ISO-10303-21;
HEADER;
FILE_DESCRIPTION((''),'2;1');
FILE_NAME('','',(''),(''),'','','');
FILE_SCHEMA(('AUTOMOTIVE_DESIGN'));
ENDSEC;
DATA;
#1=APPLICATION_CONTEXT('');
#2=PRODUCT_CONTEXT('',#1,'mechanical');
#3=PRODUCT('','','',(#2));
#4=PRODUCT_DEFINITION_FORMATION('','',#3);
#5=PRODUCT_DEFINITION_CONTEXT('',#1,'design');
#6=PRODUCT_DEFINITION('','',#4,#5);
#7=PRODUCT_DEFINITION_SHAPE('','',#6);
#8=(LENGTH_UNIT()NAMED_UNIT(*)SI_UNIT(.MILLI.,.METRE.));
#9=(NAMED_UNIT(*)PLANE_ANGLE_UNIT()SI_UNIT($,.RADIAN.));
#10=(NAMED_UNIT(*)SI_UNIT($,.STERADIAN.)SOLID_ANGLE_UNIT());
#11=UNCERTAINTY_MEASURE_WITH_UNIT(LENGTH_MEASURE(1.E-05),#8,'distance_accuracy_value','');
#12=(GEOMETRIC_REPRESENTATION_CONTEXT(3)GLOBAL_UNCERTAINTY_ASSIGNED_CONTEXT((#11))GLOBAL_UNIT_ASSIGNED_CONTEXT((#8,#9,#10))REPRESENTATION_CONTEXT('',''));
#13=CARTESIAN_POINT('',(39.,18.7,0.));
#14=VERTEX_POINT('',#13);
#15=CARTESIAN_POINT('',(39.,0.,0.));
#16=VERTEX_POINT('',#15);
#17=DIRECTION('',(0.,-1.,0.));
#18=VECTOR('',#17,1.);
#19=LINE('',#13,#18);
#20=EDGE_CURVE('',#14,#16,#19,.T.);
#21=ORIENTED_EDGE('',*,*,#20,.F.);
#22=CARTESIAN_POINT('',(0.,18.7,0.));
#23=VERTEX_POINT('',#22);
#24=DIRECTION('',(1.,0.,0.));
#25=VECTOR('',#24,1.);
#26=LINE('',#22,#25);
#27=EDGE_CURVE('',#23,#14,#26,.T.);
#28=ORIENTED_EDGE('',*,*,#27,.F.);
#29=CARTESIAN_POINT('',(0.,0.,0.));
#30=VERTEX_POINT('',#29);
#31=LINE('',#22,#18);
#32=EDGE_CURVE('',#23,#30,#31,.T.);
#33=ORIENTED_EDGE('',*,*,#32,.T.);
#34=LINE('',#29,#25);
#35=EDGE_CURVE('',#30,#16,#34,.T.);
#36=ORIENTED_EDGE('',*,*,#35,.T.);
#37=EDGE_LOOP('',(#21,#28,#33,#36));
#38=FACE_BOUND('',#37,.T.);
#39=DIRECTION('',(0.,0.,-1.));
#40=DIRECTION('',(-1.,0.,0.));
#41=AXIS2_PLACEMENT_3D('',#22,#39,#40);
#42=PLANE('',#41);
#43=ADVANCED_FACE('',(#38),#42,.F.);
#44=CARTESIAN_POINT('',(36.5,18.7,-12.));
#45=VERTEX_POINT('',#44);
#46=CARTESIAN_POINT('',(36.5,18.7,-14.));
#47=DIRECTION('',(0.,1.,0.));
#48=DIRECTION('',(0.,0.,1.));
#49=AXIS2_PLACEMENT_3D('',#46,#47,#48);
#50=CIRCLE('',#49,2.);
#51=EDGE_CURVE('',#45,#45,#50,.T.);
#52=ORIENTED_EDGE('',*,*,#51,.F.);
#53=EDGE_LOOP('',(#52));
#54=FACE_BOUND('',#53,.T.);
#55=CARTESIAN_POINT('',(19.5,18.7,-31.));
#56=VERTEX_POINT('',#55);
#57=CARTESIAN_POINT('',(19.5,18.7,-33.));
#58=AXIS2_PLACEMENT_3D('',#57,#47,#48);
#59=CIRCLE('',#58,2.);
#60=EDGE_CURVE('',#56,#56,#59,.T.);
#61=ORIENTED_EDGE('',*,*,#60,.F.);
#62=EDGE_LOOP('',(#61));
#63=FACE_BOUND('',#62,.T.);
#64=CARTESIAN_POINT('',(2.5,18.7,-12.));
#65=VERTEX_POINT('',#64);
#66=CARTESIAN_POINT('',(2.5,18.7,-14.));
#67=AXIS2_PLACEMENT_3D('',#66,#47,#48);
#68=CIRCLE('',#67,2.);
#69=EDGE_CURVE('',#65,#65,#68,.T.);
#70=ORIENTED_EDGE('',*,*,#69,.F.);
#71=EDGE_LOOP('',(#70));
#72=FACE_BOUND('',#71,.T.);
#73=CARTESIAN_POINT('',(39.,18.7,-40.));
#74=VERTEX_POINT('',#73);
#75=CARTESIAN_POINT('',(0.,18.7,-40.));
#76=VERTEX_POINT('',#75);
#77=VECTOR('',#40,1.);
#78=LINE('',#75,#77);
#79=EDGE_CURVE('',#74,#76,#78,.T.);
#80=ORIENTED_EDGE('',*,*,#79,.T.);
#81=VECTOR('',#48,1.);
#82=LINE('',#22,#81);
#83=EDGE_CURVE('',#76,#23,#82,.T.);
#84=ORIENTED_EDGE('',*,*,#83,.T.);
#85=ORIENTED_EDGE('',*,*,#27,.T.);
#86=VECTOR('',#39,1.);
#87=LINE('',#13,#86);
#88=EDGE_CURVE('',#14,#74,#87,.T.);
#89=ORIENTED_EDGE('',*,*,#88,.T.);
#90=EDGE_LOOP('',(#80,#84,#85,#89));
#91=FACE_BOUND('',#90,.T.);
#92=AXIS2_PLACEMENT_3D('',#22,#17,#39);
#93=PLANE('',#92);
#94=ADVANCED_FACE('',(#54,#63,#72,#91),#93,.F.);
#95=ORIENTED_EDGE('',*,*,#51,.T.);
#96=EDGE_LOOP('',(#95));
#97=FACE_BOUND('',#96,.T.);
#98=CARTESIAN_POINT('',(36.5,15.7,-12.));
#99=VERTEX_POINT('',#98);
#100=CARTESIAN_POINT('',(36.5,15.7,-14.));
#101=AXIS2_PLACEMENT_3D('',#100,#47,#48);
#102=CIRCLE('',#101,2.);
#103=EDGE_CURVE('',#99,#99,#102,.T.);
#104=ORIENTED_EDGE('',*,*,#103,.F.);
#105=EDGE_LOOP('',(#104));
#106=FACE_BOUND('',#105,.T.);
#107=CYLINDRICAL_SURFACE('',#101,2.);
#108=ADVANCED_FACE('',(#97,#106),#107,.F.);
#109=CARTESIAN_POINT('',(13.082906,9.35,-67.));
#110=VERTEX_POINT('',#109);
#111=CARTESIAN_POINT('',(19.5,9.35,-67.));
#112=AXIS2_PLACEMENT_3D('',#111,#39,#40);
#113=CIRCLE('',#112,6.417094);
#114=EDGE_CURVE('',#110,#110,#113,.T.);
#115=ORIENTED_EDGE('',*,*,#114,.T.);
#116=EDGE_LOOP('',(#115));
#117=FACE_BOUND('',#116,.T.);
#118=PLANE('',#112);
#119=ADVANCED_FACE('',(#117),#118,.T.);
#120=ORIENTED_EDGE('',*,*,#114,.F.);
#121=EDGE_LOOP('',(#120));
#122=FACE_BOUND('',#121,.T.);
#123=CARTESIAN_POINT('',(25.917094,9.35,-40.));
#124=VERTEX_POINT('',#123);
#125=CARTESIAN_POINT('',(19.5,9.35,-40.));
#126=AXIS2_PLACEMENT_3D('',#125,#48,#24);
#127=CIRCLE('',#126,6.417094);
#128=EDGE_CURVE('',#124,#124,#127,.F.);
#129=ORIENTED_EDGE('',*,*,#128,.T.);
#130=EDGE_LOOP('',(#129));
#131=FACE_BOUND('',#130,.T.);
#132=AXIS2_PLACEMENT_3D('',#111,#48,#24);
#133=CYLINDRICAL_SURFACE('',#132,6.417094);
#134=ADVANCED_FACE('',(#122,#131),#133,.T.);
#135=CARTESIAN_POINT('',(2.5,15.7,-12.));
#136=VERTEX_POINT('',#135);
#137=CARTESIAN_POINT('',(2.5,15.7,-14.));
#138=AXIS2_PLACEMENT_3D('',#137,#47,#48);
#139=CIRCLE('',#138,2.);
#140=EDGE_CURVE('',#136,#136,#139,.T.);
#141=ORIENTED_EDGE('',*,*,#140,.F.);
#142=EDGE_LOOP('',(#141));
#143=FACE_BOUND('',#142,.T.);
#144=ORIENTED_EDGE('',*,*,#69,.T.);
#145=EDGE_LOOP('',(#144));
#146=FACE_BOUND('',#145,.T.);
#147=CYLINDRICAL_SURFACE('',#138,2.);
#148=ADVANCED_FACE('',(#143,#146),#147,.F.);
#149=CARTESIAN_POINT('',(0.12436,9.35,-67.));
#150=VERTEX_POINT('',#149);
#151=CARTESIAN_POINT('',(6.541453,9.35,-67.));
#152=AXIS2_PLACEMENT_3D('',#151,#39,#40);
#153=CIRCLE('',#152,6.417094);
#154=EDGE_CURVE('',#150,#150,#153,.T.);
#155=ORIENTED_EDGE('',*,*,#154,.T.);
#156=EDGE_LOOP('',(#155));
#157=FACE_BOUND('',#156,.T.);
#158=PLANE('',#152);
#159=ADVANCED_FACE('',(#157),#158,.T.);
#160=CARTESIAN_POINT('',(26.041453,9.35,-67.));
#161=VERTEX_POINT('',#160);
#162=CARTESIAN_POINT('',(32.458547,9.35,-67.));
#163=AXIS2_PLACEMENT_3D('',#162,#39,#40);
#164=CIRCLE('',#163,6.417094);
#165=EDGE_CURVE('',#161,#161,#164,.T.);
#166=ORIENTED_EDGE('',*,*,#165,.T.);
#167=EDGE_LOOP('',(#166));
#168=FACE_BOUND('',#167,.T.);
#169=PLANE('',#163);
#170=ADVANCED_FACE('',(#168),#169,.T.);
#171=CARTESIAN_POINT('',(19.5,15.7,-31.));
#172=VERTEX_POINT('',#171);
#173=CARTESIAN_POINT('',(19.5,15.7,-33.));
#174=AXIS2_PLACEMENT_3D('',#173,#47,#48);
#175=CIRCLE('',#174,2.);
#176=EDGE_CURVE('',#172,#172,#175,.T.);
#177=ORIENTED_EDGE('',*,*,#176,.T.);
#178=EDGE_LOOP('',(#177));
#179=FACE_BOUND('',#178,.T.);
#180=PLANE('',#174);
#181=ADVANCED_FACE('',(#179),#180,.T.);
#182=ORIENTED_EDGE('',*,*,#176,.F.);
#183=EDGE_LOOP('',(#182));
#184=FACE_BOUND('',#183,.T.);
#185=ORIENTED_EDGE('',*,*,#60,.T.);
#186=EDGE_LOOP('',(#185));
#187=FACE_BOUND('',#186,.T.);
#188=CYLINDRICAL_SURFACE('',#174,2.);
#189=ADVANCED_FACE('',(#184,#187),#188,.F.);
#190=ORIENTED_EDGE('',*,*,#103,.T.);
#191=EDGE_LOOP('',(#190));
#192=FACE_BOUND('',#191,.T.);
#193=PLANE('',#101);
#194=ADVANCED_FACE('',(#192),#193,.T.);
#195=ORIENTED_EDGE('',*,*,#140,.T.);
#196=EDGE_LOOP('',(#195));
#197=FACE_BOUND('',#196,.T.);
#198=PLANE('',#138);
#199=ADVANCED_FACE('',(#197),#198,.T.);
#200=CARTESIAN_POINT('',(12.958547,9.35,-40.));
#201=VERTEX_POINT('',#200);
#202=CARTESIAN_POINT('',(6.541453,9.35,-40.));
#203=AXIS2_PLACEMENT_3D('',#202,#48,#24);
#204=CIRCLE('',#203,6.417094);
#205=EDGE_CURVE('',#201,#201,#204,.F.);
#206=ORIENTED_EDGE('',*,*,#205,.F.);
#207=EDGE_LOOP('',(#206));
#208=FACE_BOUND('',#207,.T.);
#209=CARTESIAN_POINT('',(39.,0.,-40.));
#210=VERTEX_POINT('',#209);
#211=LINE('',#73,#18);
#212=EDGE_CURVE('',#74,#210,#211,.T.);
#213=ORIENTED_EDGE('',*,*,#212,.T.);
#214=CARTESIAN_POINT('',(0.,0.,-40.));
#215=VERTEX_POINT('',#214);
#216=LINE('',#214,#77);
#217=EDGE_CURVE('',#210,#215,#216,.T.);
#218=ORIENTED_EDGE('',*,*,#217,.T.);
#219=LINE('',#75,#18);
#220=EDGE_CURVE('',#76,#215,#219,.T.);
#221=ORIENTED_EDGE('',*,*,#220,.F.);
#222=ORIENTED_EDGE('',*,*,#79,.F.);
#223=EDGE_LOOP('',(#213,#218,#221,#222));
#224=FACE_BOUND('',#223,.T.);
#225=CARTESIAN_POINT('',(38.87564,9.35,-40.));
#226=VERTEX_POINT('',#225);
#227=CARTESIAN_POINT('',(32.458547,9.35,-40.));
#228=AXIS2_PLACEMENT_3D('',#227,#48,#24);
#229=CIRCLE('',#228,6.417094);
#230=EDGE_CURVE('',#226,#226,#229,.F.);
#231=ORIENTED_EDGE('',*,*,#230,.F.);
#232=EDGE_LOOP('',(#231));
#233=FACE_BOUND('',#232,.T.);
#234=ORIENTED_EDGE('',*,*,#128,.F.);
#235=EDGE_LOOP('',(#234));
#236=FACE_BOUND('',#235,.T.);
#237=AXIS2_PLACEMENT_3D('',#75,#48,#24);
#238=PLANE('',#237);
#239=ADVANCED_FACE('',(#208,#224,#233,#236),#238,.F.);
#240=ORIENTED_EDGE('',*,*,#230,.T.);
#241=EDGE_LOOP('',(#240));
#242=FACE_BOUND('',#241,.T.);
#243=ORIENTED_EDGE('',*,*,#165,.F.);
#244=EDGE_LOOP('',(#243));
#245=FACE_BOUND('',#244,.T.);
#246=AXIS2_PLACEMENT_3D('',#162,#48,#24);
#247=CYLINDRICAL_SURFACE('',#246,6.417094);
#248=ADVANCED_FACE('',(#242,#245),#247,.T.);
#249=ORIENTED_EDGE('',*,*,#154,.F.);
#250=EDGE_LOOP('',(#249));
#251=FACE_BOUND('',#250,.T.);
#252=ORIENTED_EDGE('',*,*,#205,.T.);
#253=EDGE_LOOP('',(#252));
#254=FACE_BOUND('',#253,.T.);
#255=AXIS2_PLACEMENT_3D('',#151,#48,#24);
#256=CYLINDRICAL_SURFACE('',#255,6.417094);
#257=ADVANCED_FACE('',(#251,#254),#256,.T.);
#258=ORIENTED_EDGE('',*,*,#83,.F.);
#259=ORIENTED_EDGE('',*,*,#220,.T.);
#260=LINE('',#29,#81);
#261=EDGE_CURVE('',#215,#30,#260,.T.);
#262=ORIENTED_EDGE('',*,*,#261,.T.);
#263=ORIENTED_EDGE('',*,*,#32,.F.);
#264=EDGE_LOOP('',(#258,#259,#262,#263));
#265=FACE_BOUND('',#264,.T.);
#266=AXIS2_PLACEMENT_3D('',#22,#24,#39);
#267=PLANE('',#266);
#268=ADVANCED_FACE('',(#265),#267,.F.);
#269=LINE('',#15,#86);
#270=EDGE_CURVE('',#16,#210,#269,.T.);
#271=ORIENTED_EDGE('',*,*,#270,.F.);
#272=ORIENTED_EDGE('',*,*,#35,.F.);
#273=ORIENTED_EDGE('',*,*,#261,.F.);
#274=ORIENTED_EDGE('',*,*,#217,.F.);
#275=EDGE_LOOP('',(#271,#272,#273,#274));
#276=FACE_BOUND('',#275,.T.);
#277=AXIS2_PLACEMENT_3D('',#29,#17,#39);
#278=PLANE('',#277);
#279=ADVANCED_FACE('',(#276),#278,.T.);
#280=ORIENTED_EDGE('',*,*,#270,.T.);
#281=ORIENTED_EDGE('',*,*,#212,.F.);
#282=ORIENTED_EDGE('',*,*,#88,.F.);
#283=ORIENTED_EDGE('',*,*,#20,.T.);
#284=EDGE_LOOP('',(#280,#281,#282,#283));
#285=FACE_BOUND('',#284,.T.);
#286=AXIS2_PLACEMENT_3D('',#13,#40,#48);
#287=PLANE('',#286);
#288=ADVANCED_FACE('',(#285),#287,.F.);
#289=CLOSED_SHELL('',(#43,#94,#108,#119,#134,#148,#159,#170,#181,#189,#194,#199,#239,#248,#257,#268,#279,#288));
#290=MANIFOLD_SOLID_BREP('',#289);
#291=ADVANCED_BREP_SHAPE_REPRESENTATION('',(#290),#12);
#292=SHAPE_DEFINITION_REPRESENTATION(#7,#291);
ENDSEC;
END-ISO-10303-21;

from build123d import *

# Parameters (mm, degrees)
SKETCH1_W           = 39
SKETCH1_H           = 40
BOSS_EXTRUDE1_DEPTH = 18.7
SKETCH2_R           = 2
CUT_EXTRUDE1_DEPTH  = 3
SKETCH3_R           = 6.417093559
BOSS_EXTRUDE4_DEPTH = 27


with BuildPart() as part:
    # Sketch1 → Boss-Extrude1 (new body)
    with BuildSketch(Plane(origin=(0, 0, 0), x_dir=(1, 0, 0), z_dir=(0, 1, 0))):
        with Locations((19.5, 20)):
            Rectangle(SKETCH1_W, SKETCH1_H)
    extrude(amount=BOSS_EXTRUDE1_DEPTH)

    # Sketch2 → Cut-Extrude1 (cut)
    with BuildSketch(Plane(origin=(0, 18.7, 0), x_dir=(1, 0, 0), z_dir=(0, 1, 0))):
        with Locations((2.5, 14)):
            Circle(SKETCH2_R)
        with Locations((36.5, 14)):
            Circle(SKETCH2_R)
        with Locations((19.5, 33)):
            Circle(SKETCH2_R)
    extrude(amount=-CUT_EXTRUDE1_DEPTH, mode=Mode.SUBTRACT)

    # Sketch3 → Boss-Extrude4 (add)
    with BuildSketch(Plane(origin=(0, 0, -40), x_dir=(-1, 0, 0), z_dir=(0, 0, -1))):
        with Locations((-32.458546779, 9.35)):
            Circle(SKETCH3_R)
        with Locations((-19.5, 9.35)):
            Circle(SKETCH3_R)
        with Locations((-6.541453221, 9.35)):
            Circle(SKETCH3_R)
    extrude(amount=BOSS_EXTRUDE4_DEPTH)


solid = part.part
